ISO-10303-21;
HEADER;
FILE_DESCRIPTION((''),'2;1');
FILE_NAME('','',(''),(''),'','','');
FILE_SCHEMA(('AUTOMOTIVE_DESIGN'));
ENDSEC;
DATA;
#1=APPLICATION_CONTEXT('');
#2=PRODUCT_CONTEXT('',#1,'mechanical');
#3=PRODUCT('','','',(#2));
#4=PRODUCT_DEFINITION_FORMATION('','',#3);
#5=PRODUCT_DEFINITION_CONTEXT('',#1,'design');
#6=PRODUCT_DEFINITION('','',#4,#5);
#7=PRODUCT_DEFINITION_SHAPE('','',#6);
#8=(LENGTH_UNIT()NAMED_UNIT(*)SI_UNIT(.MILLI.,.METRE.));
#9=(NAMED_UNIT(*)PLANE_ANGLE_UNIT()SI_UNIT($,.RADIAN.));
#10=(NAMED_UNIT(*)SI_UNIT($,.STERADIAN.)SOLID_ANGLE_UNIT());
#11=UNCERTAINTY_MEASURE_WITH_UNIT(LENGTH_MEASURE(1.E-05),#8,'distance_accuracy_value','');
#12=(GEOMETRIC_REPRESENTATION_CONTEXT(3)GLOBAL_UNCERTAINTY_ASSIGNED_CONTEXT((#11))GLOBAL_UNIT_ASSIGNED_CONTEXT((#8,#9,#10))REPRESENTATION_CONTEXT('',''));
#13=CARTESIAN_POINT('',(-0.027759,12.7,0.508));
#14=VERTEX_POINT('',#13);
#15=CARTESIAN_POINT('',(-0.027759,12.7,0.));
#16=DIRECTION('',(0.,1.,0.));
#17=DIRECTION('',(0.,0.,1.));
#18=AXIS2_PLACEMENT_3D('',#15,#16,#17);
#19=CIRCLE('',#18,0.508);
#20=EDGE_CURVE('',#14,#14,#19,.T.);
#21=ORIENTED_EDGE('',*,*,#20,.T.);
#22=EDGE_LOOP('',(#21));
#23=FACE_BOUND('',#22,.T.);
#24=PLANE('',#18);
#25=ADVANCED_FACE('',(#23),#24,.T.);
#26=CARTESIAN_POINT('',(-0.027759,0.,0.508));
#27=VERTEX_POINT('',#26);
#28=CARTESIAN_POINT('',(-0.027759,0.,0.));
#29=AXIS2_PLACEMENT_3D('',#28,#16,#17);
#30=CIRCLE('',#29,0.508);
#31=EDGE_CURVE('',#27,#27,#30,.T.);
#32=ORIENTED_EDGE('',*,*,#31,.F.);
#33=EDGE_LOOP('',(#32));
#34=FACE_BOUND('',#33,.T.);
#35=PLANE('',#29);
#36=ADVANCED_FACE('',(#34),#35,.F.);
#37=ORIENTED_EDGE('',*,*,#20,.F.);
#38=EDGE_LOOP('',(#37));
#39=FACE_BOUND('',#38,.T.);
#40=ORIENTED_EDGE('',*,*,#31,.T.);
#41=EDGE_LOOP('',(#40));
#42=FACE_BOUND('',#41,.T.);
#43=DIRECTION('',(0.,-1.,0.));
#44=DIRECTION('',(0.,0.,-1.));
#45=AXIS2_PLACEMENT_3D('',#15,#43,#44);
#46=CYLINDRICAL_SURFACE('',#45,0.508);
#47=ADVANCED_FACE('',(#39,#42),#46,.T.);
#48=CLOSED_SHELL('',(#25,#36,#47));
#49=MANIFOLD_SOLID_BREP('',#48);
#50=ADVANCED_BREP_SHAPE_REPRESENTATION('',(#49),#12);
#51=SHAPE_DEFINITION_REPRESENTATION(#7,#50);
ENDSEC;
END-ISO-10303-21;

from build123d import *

# Parameters (mm, degrees)
SKETCH1_R           = 0.508
BOSS_EXTRUDE1_DEPTH = 12.7


with BuildPart() as part:
    # Sketch1 → Boss-Extrude1 (new body)
    with BuildSketch(Plane(origin=(0, 0, 0), x_dir=(1, 0, 0), z_dir=(0, 1, 0))):
        with Locations((-0.027759022, 0)):
            Circle(SKETCH1_R)
    extrude(amount=BOSS_EXTRUDE1_DEPTH)


solid = part.part
